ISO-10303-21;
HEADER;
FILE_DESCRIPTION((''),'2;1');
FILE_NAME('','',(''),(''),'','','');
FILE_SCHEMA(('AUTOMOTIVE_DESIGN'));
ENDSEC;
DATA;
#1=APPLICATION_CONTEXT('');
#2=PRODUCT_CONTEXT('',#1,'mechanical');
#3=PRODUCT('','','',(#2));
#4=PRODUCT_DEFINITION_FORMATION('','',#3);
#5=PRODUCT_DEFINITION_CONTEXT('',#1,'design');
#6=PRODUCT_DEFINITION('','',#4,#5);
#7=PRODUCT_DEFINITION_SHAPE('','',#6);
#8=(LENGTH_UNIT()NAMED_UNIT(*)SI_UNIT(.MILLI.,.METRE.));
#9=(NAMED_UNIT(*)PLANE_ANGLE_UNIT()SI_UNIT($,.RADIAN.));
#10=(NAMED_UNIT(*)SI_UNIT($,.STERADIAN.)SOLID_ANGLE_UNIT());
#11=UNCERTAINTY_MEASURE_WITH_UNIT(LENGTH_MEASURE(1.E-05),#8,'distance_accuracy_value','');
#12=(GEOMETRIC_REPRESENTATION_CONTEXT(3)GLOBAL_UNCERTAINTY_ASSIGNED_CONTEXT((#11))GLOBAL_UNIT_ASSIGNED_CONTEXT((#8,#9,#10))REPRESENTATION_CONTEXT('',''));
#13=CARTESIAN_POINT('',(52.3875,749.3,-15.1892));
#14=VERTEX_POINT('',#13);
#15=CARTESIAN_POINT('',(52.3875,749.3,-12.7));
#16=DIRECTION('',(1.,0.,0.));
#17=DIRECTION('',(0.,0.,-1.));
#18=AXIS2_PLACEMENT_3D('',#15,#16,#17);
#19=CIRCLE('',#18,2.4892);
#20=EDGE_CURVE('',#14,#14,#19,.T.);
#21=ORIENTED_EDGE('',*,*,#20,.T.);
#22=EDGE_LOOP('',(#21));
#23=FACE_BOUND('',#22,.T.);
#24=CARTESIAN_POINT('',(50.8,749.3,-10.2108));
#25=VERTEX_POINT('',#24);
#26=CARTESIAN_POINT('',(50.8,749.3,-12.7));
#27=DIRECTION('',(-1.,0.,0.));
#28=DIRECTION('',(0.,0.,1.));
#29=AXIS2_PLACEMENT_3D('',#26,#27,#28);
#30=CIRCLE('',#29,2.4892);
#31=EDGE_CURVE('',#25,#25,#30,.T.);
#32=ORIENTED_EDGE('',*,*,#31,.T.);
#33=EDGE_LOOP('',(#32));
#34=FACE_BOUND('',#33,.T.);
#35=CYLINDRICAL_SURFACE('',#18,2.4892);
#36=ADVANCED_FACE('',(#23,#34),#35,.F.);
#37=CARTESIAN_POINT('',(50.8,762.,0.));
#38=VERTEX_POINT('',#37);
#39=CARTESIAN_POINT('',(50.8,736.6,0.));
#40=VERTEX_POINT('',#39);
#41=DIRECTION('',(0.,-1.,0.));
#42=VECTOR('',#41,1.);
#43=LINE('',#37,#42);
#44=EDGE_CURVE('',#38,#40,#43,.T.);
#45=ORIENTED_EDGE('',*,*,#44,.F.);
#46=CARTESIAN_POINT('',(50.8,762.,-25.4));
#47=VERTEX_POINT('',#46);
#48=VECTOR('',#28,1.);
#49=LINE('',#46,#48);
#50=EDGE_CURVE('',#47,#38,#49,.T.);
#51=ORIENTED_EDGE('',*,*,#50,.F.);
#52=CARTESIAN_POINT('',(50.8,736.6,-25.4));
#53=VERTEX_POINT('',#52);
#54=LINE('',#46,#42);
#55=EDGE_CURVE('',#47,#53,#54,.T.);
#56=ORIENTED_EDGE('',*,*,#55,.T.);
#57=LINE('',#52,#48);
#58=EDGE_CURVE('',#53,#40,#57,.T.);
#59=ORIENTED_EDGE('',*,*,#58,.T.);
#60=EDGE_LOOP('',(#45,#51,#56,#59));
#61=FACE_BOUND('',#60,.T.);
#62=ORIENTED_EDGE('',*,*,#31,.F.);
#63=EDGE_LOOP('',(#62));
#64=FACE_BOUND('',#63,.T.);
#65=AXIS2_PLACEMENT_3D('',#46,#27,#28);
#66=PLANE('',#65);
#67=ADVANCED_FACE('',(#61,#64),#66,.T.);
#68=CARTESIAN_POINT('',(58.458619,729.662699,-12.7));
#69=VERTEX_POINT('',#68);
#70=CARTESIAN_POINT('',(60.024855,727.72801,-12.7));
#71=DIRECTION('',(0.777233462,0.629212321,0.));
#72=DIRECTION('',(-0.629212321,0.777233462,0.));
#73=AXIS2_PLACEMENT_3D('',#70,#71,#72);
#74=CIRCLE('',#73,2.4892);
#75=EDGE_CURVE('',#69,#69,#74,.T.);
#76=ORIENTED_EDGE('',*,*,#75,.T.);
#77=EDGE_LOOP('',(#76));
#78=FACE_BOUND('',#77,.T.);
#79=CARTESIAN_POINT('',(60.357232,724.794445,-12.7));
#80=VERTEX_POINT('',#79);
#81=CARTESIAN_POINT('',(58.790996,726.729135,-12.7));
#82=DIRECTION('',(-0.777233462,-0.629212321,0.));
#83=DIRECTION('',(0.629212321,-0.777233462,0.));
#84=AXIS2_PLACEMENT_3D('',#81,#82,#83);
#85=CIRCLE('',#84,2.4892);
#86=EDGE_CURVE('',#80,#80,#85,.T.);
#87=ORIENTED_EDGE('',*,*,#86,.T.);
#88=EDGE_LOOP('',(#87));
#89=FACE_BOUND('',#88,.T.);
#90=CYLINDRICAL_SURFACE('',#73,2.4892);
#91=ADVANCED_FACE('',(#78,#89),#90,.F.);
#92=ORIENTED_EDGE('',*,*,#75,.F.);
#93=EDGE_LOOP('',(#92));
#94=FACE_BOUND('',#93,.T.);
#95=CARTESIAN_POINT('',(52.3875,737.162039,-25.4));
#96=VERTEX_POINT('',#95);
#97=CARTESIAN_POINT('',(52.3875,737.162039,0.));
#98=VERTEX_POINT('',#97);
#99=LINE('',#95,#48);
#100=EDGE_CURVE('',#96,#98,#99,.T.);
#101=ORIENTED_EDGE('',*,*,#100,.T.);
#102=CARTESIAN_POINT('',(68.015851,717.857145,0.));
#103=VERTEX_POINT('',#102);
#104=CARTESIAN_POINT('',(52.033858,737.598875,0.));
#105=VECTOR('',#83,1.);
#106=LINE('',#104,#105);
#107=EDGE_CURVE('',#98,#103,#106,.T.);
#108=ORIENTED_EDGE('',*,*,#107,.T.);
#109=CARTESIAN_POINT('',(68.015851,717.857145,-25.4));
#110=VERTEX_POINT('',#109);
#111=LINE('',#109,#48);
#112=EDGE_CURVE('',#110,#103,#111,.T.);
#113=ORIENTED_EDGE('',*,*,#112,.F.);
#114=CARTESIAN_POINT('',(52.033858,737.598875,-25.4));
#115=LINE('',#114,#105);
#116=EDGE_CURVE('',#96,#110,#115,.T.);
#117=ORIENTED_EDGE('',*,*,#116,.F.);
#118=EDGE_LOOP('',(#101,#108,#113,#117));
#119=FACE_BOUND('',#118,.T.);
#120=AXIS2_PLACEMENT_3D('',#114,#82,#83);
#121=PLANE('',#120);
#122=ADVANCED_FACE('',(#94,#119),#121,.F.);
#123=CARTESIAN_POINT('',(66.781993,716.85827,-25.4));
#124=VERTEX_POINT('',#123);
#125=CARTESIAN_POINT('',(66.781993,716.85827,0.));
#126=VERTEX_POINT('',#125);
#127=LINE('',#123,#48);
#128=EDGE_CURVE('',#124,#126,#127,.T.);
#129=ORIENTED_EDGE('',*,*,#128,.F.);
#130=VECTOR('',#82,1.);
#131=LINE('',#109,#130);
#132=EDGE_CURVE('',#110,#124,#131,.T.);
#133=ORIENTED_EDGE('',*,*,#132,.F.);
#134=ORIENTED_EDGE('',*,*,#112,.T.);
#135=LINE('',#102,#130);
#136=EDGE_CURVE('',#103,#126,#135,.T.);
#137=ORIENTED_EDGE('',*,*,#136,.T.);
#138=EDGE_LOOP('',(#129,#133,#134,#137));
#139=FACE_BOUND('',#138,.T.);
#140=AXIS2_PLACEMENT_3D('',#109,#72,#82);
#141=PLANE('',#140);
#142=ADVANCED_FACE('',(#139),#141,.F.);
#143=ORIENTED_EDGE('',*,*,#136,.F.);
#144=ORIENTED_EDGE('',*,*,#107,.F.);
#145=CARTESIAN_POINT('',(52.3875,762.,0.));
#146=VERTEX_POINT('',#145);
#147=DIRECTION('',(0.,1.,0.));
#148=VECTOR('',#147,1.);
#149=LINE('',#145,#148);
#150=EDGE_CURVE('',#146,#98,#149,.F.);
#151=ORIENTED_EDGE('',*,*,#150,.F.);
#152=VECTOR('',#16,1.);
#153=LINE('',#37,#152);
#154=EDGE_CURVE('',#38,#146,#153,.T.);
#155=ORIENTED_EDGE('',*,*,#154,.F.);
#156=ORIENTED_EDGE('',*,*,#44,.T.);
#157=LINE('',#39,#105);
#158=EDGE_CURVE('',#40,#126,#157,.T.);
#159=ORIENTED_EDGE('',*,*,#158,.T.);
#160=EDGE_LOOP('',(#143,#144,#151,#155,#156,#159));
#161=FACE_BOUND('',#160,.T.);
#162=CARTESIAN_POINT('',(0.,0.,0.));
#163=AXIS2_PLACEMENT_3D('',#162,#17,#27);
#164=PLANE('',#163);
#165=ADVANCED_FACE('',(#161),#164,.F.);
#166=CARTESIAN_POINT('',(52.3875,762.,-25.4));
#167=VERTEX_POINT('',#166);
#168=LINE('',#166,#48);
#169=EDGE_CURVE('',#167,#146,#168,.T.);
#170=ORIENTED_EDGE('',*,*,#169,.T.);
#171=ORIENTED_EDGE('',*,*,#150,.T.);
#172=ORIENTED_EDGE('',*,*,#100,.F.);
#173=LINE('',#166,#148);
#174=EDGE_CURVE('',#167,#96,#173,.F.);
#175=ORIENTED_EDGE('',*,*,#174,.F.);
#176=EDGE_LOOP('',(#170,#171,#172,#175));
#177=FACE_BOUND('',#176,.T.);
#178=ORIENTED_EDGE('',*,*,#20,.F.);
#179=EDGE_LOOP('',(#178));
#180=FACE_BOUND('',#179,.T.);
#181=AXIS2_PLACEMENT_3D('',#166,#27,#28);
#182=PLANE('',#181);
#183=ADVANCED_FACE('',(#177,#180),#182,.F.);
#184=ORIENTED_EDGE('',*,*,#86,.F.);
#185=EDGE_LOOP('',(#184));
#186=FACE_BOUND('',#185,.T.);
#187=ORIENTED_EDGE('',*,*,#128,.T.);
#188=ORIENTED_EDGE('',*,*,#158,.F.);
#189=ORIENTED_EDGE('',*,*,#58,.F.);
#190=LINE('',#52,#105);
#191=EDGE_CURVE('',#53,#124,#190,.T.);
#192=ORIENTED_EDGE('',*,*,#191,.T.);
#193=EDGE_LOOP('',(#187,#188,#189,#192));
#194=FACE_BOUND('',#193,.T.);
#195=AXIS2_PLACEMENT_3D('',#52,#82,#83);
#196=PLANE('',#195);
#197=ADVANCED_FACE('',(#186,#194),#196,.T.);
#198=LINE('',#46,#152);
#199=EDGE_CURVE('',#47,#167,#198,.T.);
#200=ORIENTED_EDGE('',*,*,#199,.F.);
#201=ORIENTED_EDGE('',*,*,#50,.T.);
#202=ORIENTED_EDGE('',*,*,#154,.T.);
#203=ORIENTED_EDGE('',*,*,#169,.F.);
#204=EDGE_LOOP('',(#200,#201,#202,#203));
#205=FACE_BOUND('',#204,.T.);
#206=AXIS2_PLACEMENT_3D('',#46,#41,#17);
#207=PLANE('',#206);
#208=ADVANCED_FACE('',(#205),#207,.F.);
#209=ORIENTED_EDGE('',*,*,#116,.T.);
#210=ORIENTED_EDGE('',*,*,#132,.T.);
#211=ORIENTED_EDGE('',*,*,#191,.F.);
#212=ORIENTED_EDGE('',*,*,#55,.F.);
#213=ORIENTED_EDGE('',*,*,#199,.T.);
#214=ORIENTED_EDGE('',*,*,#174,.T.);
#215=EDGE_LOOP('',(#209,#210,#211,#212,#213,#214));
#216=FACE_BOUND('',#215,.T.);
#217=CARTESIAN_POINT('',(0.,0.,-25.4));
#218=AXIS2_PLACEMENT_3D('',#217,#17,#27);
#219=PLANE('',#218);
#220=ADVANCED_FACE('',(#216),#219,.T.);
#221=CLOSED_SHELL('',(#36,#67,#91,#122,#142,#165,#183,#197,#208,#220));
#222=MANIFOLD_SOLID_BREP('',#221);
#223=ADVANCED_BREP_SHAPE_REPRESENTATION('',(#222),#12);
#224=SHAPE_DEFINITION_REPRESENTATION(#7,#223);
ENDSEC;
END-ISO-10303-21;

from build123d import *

# Parameters (mm, degrees)
EXTRUDE_THIN1_DEPTH            = 25.4
F_9_0_196_DIAMETER_HOLE1_D     = 4.9784
F_9_0_196_DIAMETER_HOLE1_DEPTH = 1.5885


with BuildPart() as part:
    # Sketch1 → Extrude-Thin1 (new body)
    with BuildSketch(Plane.XY):
        Polygon((50.8, 762), (50.8, 736.6), (66.781992956, 716.858270057), (68.015851078, 717.857144617), (52.3875, 737.162039024), (52.3875, 762), align=None)
    extrude(amount=-EXTRUDE_THIN1_DEPTH)

    # #9 (0.196) Diameter Hole1
    with Locations(Plane(origin=(392.152176242, 317.468293639, 0), x_dir=(0, 0, -1), z_dir=(0.777233462, 0.629212321, 0))):
        with Locations((12.7, 527.846182435)):
            f_9_0_196_diameter_hole1 = Hole(F_9_0_196_DIAMETER_HOLE1_D / 2, depth=F_9_0_196_DIAMETER_HOLE1_DEPTH)

    # Mirror1: #9 (0.196) Diameter Hole1 across plane
    add(f_9_0_196_diameter_hole1.mirror(Plane(origin=(-226.08062781, 638.573091218, 0), x_dir=(0, 0, 1), z_dir=(0.33374132, -0.942664697, 0))), mode=Mode.SUBTRACT)


solid = part.part
